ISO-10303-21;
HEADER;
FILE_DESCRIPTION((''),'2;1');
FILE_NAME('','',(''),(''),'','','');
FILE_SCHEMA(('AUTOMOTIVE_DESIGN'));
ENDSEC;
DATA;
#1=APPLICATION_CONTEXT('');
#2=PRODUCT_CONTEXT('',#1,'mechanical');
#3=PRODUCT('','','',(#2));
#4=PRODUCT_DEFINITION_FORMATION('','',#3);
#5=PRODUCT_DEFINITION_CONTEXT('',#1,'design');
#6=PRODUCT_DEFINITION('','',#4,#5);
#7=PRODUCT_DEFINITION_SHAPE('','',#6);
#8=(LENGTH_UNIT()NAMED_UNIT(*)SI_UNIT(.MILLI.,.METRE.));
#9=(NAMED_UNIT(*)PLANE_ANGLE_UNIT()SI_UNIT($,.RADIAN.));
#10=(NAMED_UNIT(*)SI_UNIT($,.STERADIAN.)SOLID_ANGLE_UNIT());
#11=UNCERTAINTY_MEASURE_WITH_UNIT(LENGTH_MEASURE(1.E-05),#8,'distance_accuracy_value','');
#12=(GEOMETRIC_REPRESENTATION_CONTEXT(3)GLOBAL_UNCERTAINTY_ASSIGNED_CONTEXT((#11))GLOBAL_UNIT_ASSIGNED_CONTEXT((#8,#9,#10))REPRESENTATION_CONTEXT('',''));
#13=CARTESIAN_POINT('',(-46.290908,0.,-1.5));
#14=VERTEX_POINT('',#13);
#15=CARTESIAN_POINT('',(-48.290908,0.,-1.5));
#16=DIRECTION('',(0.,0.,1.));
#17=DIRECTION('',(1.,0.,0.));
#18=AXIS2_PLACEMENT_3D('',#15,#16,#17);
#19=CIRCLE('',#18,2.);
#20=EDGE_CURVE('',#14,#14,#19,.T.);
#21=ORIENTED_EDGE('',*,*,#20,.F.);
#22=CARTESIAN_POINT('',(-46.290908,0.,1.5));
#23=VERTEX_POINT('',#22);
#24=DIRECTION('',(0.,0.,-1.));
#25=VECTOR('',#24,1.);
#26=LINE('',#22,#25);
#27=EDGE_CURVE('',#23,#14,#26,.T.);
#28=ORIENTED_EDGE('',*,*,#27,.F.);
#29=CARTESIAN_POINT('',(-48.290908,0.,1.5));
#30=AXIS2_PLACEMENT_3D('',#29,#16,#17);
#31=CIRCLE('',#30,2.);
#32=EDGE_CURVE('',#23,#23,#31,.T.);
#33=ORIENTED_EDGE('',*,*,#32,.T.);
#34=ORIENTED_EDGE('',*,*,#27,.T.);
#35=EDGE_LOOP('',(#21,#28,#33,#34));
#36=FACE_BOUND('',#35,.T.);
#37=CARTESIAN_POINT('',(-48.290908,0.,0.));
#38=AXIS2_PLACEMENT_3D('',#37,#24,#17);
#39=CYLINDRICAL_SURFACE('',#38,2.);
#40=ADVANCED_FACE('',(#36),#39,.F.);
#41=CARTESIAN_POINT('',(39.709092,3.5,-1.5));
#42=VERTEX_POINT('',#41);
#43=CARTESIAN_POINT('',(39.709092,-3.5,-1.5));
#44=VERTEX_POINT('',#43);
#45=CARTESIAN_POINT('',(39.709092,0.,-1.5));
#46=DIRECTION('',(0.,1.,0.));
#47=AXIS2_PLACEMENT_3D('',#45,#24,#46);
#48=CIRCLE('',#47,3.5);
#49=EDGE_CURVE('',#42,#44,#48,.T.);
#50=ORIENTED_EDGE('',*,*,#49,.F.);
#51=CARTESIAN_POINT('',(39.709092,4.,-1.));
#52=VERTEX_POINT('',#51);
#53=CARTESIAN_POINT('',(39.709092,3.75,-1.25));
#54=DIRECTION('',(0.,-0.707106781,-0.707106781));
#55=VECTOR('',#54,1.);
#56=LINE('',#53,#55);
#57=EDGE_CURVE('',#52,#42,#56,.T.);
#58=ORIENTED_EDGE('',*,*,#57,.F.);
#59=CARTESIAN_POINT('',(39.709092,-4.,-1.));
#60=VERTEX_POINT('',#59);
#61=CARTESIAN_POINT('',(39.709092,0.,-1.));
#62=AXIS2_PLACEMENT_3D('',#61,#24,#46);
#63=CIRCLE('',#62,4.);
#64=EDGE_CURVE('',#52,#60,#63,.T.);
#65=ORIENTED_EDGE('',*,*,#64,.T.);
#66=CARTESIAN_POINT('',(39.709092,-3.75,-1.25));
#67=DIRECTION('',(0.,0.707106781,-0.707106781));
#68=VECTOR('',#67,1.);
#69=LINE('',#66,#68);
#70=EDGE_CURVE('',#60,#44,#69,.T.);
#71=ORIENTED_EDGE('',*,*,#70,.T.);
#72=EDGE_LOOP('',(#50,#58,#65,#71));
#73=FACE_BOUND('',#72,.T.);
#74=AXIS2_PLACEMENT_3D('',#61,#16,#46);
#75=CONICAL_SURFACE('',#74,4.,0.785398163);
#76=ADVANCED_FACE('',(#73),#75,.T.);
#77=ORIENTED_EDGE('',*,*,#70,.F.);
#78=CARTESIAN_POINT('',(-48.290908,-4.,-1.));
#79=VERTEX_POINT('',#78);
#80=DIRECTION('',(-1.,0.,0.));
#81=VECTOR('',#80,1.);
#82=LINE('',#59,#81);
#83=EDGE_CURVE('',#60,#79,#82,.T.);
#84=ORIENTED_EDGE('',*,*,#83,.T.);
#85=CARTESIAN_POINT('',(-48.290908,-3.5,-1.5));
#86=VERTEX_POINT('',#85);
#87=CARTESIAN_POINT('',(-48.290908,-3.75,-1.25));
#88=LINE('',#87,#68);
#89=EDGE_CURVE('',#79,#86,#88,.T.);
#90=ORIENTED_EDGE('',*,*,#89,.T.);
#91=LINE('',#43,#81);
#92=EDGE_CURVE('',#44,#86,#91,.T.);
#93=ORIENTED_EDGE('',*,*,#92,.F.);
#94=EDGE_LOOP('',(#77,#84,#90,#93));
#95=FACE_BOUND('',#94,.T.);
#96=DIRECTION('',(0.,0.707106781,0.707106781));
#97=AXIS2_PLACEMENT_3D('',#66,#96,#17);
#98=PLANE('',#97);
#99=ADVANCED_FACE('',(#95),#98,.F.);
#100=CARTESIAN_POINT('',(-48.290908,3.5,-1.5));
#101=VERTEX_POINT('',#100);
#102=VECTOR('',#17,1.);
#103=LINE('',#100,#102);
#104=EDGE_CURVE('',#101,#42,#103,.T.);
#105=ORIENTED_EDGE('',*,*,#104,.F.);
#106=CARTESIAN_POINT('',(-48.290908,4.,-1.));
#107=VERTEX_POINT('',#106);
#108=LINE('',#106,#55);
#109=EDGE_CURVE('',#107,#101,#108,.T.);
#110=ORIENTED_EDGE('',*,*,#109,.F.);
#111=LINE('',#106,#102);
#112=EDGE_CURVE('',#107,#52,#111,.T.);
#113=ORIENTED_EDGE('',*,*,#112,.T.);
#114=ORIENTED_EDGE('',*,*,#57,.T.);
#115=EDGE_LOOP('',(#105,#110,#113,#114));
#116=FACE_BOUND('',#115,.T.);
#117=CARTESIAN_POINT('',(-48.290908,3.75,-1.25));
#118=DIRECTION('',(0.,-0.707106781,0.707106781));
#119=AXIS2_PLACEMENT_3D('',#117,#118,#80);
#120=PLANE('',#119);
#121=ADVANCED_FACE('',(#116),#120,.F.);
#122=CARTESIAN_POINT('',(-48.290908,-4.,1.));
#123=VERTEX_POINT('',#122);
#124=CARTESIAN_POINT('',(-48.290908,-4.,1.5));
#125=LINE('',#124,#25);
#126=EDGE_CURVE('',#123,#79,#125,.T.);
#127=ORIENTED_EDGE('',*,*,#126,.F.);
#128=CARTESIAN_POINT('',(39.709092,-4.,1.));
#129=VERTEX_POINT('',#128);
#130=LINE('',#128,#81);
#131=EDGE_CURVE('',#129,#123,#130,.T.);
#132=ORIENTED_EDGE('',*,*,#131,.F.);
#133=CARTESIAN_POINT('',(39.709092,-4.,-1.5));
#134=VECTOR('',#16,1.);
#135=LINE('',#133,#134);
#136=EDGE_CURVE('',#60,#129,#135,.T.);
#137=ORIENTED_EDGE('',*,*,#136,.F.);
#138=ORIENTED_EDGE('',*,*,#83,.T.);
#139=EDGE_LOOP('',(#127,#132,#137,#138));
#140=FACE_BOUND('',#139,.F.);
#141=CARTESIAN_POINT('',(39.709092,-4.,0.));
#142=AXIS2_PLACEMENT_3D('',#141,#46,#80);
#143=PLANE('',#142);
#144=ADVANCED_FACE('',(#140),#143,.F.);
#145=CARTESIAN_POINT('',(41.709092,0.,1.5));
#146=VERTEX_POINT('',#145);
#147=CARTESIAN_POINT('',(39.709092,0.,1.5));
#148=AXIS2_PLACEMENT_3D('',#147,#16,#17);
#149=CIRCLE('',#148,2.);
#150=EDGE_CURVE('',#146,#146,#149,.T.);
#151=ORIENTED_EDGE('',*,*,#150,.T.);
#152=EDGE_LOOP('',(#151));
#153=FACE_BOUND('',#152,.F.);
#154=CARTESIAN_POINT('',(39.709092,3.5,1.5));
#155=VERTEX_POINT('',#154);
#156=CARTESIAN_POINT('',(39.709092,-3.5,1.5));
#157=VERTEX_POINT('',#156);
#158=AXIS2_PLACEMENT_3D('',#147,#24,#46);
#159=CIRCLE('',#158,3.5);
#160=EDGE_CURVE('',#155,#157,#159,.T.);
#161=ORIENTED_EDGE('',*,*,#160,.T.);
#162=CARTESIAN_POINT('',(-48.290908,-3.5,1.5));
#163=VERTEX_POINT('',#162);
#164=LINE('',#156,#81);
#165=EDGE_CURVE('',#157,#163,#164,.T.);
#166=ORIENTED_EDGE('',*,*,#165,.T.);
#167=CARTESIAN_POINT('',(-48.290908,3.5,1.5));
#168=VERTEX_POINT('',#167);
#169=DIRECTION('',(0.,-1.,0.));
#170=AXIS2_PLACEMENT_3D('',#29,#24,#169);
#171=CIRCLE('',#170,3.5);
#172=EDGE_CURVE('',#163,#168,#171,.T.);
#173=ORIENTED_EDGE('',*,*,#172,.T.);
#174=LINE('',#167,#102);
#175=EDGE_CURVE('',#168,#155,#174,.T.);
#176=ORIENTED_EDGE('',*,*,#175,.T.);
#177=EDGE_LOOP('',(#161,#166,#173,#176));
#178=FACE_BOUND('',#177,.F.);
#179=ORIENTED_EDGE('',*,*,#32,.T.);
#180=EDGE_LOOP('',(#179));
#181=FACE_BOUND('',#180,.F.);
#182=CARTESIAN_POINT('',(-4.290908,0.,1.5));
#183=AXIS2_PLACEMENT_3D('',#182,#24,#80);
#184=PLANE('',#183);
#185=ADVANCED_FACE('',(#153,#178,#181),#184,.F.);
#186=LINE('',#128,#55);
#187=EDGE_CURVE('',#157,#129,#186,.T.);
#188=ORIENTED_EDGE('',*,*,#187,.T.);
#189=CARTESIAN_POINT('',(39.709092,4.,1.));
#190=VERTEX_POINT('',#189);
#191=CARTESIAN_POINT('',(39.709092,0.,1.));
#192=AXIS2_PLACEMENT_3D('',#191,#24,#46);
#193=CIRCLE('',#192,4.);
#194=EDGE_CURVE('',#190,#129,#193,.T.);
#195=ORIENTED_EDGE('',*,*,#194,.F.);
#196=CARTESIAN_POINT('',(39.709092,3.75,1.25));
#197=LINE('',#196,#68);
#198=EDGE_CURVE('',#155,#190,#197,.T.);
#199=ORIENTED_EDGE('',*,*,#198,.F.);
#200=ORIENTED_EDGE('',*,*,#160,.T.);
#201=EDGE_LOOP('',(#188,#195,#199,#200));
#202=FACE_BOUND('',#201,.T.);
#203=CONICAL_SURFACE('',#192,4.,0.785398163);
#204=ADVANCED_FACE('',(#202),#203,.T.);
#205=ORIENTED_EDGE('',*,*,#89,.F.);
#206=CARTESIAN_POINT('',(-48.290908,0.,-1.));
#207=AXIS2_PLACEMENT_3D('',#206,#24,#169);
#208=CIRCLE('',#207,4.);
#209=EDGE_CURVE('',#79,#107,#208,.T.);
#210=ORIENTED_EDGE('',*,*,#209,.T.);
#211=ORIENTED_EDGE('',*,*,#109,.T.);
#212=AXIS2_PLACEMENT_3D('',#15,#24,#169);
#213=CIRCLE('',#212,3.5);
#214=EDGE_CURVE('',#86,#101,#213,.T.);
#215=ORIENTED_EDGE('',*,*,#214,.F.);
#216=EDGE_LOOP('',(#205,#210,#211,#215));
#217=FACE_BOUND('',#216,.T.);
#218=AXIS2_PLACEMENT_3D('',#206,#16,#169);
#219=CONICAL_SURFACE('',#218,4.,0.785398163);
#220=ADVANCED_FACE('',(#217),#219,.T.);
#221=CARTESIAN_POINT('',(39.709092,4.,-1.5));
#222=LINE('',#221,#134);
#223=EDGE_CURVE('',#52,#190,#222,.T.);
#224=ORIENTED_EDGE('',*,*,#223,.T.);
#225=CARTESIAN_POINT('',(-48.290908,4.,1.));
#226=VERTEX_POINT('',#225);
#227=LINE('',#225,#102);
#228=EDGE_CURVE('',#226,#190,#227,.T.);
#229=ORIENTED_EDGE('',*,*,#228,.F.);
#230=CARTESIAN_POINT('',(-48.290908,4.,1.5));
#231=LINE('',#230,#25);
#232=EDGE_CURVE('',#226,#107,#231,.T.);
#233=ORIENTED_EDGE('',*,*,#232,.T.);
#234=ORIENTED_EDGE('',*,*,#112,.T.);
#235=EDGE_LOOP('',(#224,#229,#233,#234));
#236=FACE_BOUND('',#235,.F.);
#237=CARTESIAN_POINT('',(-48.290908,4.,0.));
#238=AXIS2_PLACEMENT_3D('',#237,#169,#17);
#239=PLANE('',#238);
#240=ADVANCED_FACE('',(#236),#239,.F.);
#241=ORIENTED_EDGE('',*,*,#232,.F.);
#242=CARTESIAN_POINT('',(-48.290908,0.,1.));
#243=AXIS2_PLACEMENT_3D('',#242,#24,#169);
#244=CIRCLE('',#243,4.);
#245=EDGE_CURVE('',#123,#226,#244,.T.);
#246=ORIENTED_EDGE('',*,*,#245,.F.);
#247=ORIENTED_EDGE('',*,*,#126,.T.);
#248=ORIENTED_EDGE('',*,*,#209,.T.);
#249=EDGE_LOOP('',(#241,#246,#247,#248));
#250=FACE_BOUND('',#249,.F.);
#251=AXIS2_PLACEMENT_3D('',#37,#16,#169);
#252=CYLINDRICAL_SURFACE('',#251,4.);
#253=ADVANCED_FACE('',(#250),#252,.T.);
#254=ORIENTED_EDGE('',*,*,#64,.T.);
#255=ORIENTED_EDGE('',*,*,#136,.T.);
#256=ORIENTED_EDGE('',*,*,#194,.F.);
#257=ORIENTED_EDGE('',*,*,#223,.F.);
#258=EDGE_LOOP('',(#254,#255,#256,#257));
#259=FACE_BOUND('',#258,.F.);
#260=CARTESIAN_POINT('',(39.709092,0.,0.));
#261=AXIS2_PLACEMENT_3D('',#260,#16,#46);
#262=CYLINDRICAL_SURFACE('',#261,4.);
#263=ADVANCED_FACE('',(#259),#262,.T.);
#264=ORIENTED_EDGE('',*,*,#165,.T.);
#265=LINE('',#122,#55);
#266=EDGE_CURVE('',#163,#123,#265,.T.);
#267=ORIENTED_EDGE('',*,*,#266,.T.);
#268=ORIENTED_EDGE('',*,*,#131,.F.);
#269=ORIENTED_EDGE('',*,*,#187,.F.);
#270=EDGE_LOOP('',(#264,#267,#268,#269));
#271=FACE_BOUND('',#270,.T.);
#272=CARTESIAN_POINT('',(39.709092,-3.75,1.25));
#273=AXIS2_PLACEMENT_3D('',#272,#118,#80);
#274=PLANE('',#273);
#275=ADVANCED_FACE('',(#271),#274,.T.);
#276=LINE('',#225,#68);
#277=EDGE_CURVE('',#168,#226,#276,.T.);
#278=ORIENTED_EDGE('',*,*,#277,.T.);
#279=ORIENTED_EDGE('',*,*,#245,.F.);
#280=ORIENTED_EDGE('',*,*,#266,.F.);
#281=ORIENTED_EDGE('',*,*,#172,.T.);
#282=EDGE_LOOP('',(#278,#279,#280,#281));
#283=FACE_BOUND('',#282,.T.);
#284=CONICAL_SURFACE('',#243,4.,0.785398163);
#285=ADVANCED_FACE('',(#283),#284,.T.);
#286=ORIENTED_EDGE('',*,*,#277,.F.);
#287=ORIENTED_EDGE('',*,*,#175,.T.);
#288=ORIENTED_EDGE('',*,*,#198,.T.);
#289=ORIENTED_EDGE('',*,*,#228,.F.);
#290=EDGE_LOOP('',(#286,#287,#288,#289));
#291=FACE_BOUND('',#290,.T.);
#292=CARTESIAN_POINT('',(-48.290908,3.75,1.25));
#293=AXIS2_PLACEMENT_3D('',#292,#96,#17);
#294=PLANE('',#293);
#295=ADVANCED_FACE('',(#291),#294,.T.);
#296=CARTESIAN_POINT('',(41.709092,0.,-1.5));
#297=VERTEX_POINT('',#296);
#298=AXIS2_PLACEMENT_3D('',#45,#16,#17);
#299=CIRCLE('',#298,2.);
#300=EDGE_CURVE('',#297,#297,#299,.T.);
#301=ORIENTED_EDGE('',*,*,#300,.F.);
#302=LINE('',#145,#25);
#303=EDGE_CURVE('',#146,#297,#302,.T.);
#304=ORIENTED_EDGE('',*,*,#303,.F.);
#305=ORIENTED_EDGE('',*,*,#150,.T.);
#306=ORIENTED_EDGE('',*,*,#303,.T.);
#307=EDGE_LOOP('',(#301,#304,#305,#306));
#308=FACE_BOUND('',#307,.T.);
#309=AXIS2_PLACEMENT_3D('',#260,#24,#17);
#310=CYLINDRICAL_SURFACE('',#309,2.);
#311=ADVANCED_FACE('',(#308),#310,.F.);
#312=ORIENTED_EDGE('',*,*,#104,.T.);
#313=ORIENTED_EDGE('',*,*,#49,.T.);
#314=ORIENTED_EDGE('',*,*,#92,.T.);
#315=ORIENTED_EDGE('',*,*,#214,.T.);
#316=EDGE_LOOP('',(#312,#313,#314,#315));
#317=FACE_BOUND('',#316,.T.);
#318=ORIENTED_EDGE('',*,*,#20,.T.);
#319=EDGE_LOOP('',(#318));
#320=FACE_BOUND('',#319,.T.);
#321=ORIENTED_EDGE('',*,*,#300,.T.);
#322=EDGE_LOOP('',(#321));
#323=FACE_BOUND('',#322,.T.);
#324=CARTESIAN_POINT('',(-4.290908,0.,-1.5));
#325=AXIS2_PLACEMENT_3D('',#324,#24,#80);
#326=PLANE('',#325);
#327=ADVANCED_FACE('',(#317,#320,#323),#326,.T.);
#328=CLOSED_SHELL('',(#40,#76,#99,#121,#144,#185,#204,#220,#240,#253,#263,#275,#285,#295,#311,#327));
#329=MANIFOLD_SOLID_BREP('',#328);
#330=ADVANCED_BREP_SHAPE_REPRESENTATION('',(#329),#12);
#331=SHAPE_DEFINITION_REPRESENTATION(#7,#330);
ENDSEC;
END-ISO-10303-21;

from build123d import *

# Parameters (mm, degrees)
SKETCH1_R           = 2
BOSS_EXTRUDE1_DEPTH = 1.5
CHAMFER1_SIZE       = 0.5


with BuildPart() as part:
    # Sketch1 → Boss-Extrude1 (new body, symmetric)
    with BuildSketch(Plane.XY):
        with BuildLine():
            Line((39.709091937, -4), (-48.290908063, -4))
            ThreePointArc((-48.290908063, -4), (-52.290908063, 0), (-48.290908063, 4))
            Line((-48.290908063, 4), (39.709091937, 4))
            ThreePointArc((39.709091937, 4), (43.709091937, 0), (39.709091937, -4))
        make_face()
        with Locations((-48.290908063, 0)):
            Circle(SKETCH1_R, mode=Mode.SUBTRACT)
        with Locations((39.709091937, 0)):
            Circle(SKETCH1_R, mode=Mode.SUBTRACT)
    extrude(amount=BOSS_EXTRUDE1_DEPTH, both=True)

    # Chamfer1
    chamfer1_edges = [part.edges().sort_by_distance(p)[0] for p in [
        (-52.290908063, 0, 1.5),
        (-4.290908063, -4, 1.5),
        (43.709091937, 0, 1.5),
        (-4.290908063, -4, -1.5),
        (-52.290908063, 0, -1.5),
        (-4.290908063, 4, -1.5),
        (43.709091937, 0, -1.5),
        (-4.290908063, 4, 1.5),
    ]]
    chamfer(chamfer1_edges, length=CHAMFER1_SIZE)


solid = part.part
